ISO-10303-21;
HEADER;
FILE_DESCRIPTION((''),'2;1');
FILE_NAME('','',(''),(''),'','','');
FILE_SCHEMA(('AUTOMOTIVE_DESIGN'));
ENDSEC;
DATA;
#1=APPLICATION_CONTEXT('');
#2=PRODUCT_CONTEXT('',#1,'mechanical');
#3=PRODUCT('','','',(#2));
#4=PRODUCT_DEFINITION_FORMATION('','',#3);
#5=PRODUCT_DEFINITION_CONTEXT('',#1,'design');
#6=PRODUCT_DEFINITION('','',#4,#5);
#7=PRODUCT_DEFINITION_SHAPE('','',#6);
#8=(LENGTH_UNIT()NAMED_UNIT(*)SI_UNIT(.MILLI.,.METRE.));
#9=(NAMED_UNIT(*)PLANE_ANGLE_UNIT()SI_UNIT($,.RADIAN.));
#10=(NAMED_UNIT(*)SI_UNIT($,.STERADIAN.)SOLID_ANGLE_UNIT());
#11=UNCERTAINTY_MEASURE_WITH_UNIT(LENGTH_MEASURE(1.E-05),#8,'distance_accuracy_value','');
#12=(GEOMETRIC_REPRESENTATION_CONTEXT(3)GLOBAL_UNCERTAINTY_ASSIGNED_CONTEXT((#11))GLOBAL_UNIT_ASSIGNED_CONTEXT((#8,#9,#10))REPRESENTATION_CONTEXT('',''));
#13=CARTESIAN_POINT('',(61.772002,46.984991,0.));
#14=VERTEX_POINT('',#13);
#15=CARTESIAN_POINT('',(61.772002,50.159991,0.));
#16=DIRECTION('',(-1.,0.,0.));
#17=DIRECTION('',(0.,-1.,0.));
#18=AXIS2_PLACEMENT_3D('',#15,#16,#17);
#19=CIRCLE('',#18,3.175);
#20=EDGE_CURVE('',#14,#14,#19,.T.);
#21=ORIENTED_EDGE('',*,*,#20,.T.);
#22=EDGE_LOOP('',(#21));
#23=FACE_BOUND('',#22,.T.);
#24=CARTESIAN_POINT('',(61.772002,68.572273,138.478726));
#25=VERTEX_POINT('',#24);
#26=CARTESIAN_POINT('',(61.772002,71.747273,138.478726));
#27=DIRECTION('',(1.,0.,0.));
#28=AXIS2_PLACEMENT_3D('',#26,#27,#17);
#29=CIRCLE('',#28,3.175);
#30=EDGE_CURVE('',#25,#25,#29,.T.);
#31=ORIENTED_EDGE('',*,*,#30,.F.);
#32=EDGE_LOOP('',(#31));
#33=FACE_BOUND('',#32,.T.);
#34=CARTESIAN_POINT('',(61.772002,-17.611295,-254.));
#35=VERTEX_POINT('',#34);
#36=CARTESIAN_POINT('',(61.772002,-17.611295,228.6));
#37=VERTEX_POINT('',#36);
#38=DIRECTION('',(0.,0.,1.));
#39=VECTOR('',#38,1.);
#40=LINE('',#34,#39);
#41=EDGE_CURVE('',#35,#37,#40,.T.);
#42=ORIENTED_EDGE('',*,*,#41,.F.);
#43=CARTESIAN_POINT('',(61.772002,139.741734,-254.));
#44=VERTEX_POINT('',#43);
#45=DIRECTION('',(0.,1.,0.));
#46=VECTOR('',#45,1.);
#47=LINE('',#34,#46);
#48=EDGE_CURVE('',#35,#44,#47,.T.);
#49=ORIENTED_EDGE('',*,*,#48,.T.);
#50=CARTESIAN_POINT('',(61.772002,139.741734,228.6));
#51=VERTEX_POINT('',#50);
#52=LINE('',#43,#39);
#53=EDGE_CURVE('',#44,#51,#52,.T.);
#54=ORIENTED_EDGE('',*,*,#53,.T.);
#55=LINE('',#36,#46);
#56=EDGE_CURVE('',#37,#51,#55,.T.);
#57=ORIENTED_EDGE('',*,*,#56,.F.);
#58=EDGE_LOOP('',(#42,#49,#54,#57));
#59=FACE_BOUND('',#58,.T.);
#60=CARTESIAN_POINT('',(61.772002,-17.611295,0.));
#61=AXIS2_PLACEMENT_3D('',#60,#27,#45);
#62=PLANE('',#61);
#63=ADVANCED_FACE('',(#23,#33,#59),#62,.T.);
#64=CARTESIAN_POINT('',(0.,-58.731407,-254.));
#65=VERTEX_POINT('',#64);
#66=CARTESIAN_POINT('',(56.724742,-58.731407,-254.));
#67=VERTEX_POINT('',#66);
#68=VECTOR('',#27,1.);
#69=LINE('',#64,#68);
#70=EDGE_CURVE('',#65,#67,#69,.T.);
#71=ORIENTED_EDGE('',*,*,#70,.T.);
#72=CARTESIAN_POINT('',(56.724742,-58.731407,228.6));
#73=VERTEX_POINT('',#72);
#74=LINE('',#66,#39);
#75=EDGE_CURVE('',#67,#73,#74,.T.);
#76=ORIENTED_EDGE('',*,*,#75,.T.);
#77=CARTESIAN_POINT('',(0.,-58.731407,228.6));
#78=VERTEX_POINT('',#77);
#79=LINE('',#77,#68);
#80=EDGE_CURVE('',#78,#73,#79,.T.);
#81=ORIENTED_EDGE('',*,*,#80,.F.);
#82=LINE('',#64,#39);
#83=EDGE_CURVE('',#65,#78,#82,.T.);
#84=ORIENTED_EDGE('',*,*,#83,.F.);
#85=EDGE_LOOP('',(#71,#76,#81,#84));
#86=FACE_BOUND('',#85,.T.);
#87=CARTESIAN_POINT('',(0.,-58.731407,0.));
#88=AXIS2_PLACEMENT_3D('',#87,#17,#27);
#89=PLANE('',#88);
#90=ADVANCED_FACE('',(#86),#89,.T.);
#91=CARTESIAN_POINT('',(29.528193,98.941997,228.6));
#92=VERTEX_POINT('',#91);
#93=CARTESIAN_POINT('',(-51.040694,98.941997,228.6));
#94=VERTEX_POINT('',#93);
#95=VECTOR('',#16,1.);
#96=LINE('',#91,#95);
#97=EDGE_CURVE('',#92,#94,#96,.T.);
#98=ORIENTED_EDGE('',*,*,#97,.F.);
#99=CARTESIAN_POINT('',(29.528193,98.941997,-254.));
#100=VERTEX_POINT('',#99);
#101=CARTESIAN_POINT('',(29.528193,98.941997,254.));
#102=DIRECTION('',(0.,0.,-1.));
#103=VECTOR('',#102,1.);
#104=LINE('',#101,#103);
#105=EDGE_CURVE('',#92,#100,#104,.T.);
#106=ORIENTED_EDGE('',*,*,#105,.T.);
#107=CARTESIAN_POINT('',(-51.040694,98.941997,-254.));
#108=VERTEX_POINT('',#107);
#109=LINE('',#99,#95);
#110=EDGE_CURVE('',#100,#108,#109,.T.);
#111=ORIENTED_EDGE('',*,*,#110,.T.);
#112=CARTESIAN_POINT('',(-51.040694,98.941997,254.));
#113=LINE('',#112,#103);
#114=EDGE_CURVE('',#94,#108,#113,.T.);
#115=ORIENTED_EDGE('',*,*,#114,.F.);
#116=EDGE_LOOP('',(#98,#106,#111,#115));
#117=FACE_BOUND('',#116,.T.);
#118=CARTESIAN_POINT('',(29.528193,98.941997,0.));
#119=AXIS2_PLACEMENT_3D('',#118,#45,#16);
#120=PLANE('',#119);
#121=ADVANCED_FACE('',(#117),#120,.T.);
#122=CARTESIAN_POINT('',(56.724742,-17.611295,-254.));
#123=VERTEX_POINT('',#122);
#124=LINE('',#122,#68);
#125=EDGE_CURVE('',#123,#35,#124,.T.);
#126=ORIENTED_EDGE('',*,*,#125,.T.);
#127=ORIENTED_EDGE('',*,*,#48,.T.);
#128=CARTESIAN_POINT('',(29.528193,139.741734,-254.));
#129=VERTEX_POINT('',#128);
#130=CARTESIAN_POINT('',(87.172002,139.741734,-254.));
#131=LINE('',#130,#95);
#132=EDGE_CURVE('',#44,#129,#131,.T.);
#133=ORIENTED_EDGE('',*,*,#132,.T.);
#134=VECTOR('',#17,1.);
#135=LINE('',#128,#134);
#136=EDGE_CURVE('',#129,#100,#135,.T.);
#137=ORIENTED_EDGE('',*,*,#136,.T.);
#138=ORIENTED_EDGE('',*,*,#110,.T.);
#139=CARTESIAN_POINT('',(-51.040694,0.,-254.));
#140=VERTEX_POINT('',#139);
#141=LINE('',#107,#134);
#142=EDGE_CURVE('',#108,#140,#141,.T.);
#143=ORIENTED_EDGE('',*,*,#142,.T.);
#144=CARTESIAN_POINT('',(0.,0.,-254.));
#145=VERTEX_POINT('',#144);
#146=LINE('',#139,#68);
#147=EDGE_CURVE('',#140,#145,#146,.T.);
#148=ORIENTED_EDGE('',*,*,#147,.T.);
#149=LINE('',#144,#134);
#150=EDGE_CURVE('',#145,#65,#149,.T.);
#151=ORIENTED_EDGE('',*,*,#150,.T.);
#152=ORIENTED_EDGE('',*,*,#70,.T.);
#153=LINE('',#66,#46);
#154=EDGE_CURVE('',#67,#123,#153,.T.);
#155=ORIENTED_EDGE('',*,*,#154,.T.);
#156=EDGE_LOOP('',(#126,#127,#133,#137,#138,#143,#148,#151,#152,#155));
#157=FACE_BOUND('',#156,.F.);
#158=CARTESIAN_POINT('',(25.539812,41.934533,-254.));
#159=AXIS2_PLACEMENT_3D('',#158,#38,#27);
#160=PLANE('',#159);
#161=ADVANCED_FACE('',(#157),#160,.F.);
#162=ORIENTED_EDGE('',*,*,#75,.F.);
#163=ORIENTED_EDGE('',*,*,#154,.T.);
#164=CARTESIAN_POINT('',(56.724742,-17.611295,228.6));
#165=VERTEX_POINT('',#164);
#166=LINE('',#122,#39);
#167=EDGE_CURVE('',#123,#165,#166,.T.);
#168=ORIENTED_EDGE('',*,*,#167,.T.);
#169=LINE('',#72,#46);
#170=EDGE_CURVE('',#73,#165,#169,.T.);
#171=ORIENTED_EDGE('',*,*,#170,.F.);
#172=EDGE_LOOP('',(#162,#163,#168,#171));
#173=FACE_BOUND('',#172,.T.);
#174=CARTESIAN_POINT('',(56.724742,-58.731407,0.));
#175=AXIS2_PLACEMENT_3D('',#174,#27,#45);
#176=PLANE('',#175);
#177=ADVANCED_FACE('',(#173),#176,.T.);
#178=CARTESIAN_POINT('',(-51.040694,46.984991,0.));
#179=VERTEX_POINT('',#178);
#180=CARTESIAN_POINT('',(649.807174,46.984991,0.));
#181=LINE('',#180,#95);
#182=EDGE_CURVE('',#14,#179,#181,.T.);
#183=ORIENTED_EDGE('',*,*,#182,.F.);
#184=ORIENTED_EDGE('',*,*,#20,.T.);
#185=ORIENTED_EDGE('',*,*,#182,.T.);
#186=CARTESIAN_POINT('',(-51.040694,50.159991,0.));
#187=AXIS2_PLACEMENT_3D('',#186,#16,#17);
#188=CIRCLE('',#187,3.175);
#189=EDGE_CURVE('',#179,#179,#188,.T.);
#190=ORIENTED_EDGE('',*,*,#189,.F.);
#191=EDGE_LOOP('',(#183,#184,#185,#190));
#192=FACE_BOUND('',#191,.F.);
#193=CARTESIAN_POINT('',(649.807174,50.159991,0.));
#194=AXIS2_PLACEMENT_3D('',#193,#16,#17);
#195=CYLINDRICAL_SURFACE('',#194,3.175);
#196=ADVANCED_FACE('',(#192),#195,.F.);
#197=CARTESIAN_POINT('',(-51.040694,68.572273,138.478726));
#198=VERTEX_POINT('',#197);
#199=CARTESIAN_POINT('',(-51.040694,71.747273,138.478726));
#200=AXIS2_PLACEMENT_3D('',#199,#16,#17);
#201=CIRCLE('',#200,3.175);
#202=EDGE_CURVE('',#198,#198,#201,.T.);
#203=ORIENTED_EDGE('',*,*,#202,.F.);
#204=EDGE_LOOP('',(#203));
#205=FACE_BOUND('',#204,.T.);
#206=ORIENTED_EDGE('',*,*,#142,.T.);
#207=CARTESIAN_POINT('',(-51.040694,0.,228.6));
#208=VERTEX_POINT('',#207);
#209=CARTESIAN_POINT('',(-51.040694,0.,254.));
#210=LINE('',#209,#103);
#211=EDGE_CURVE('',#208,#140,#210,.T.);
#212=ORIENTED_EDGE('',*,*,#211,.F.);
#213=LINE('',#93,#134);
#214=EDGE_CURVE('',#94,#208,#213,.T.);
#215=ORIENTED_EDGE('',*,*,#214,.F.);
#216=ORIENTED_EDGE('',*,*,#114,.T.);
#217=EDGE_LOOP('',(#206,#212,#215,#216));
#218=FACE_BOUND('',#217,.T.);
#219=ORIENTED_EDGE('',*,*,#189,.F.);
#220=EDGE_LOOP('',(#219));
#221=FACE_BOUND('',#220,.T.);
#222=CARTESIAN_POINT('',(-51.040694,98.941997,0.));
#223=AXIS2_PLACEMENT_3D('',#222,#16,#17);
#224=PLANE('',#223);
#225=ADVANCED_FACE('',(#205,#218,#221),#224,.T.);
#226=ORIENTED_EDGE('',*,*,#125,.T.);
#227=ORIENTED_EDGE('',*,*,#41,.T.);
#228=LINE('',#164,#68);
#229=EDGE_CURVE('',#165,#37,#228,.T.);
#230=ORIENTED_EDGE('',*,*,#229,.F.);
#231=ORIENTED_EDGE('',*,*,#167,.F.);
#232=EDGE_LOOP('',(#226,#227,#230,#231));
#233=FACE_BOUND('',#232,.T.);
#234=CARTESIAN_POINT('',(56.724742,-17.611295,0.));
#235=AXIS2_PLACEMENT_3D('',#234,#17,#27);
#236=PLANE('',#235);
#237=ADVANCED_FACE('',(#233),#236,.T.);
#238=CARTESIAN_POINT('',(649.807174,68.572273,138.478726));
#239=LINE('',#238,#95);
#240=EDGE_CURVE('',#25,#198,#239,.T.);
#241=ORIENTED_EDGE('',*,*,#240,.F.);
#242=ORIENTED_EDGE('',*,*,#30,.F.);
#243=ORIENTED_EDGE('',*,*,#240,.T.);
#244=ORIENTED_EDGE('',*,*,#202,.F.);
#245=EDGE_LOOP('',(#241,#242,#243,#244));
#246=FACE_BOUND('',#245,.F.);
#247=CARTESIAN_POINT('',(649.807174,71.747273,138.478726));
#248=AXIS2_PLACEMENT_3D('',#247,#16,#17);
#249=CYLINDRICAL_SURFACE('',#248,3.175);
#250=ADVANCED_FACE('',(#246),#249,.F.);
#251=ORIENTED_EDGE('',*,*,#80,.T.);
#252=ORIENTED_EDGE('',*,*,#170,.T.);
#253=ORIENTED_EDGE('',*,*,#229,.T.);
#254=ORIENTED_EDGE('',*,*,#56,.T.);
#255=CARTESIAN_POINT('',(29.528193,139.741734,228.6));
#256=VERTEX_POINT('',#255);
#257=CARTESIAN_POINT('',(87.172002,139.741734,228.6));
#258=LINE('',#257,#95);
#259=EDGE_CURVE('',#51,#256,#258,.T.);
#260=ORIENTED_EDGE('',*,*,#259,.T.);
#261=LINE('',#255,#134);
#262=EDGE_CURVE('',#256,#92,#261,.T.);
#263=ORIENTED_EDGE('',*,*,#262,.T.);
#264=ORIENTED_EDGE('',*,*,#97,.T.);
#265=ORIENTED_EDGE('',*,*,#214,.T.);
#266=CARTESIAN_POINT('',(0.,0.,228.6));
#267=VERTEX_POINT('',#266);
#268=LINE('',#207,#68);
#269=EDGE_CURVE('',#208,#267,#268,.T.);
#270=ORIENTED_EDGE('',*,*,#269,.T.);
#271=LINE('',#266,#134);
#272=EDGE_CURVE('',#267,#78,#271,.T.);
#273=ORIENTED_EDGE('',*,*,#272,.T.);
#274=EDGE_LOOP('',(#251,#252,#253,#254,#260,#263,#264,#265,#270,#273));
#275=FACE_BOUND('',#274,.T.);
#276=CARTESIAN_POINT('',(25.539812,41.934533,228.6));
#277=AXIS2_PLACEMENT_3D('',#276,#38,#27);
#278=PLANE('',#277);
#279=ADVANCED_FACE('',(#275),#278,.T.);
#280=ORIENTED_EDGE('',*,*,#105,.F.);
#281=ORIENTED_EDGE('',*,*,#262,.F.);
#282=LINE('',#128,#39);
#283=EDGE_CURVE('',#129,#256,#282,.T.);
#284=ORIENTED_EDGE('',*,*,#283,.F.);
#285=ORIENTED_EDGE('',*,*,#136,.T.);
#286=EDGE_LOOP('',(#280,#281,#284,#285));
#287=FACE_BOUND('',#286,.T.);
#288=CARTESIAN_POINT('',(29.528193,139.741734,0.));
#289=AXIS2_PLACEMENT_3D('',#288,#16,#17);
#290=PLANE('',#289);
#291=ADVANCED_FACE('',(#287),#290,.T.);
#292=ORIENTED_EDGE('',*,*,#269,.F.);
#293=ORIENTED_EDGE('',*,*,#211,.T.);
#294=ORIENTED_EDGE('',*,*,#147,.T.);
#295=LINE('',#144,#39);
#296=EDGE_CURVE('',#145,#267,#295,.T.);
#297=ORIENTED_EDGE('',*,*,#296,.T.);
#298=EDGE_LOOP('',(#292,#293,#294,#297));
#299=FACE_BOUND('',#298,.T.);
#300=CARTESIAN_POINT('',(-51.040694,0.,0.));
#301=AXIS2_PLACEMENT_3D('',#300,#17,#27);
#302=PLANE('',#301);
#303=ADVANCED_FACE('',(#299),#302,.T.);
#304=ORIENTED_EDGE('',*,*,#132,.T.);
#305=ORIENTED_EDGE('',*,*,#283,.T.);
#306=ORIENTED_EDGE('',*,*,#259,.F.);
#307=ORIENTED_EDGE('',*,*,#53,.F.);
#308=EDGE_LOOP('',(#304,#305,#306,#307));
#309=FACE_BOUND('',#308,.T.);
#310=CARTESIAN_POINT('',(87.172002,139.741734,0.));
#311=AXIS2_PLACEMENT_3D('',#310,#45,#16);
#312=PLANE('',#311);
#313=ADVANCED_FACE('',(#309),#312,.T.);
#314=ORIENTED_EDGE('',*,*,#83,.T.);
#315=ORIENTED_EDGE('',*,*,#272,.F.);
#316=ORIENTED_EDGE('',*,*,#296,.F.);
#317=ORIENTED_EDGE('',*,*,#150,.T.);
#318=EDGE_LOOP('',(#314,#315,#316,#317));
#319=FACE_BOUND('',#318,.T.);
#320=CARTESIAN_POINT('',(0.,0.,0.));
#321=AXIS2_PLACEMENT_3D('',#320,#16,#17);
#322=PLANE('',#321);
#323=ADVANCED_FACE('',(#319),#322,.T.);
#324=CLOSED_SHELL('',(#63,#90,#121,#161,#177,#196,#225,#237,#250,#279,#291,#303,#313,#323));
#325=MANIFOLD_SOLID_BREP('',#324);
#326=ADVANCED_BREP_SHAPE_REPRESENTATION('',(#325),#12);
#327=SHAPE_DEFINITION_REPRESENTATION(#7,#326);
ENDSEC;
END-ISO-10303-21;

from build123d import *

# Parameters (mm, degrees)
F1_DEPTH      = 254
F1_DEPTH_BACK = 254
F3_D          = 6.35
F4_R          = 49.5981028819
F4_R_2        = 3.175
F5_DEPTH      = 25.4
F6_DEPTH      = 25.4
F7_DEPTH      = 25.4


with BuildPart() as f1:
    # F0 (on Top) → F1 (new body, two sides)
    with BuildSketch(Plane.XY) as f1_sk:
        Polygon((-51.0406941175, 0), (0, 0), (0, -58.7314069271), (56.7247420549, -58.7314069271), (56.7247420549, -17.6112949848), (87.1720016003, -17.6112949848), (87.1720016003, 139.7417336702), (29.5281931758, 139.7417336702), (29.5281931758, 98.9419966936), (-51.0406941175, 98.9419966936), align=None)
    extrude(amount=F1_DEPTH)
    extrude(f1_sk.sketch, amount=-F1_DEPTH_BACK)

    # F3 (through all)
    with Locations(Plane.YZ.offset(87.1720016003)):
        with Locations((71.7472732067, 138.4787261486), (50.1599907875, 0)):
            Hole(F3_D / 2)

    # F4 (on face) → F5 (cut)
    with BuildSketch(Plane.YZ.offset(87.1720016003)):
        with Locations((71.7472732067, 138.4787261486)):
            Circle(F4_R)
        with Locations((71.7472732067, 138.4787261486)):
            Circle(F4_R_2, mode=Mode.SUBTRACT)
    extrude(amount=-F5_DEPTH, mode=Mode.SUBTRACT)

    # F6 (cut): a face of the model
    f6_faces = [f1.faces().sort_by_distance(p)[0] for p in [
        (26.0044573743, 42.9582236977, 254),
    ]]
    extrude(f6_faces, amount=-F6_DEPTH, mode=Mode.SUBTRACT)

    # F7 (cut): a face of the model
    f7_faces = [f1.faces().sort_by_distance(p)[0] for p in [
        (87.1720016003, 59.8594463551, -29.8423997795),
    ]]
    extrude(f7_faces, amount=-F7_DEPTH, mode=Mode.SUBTRACT)


solid = f1.part
